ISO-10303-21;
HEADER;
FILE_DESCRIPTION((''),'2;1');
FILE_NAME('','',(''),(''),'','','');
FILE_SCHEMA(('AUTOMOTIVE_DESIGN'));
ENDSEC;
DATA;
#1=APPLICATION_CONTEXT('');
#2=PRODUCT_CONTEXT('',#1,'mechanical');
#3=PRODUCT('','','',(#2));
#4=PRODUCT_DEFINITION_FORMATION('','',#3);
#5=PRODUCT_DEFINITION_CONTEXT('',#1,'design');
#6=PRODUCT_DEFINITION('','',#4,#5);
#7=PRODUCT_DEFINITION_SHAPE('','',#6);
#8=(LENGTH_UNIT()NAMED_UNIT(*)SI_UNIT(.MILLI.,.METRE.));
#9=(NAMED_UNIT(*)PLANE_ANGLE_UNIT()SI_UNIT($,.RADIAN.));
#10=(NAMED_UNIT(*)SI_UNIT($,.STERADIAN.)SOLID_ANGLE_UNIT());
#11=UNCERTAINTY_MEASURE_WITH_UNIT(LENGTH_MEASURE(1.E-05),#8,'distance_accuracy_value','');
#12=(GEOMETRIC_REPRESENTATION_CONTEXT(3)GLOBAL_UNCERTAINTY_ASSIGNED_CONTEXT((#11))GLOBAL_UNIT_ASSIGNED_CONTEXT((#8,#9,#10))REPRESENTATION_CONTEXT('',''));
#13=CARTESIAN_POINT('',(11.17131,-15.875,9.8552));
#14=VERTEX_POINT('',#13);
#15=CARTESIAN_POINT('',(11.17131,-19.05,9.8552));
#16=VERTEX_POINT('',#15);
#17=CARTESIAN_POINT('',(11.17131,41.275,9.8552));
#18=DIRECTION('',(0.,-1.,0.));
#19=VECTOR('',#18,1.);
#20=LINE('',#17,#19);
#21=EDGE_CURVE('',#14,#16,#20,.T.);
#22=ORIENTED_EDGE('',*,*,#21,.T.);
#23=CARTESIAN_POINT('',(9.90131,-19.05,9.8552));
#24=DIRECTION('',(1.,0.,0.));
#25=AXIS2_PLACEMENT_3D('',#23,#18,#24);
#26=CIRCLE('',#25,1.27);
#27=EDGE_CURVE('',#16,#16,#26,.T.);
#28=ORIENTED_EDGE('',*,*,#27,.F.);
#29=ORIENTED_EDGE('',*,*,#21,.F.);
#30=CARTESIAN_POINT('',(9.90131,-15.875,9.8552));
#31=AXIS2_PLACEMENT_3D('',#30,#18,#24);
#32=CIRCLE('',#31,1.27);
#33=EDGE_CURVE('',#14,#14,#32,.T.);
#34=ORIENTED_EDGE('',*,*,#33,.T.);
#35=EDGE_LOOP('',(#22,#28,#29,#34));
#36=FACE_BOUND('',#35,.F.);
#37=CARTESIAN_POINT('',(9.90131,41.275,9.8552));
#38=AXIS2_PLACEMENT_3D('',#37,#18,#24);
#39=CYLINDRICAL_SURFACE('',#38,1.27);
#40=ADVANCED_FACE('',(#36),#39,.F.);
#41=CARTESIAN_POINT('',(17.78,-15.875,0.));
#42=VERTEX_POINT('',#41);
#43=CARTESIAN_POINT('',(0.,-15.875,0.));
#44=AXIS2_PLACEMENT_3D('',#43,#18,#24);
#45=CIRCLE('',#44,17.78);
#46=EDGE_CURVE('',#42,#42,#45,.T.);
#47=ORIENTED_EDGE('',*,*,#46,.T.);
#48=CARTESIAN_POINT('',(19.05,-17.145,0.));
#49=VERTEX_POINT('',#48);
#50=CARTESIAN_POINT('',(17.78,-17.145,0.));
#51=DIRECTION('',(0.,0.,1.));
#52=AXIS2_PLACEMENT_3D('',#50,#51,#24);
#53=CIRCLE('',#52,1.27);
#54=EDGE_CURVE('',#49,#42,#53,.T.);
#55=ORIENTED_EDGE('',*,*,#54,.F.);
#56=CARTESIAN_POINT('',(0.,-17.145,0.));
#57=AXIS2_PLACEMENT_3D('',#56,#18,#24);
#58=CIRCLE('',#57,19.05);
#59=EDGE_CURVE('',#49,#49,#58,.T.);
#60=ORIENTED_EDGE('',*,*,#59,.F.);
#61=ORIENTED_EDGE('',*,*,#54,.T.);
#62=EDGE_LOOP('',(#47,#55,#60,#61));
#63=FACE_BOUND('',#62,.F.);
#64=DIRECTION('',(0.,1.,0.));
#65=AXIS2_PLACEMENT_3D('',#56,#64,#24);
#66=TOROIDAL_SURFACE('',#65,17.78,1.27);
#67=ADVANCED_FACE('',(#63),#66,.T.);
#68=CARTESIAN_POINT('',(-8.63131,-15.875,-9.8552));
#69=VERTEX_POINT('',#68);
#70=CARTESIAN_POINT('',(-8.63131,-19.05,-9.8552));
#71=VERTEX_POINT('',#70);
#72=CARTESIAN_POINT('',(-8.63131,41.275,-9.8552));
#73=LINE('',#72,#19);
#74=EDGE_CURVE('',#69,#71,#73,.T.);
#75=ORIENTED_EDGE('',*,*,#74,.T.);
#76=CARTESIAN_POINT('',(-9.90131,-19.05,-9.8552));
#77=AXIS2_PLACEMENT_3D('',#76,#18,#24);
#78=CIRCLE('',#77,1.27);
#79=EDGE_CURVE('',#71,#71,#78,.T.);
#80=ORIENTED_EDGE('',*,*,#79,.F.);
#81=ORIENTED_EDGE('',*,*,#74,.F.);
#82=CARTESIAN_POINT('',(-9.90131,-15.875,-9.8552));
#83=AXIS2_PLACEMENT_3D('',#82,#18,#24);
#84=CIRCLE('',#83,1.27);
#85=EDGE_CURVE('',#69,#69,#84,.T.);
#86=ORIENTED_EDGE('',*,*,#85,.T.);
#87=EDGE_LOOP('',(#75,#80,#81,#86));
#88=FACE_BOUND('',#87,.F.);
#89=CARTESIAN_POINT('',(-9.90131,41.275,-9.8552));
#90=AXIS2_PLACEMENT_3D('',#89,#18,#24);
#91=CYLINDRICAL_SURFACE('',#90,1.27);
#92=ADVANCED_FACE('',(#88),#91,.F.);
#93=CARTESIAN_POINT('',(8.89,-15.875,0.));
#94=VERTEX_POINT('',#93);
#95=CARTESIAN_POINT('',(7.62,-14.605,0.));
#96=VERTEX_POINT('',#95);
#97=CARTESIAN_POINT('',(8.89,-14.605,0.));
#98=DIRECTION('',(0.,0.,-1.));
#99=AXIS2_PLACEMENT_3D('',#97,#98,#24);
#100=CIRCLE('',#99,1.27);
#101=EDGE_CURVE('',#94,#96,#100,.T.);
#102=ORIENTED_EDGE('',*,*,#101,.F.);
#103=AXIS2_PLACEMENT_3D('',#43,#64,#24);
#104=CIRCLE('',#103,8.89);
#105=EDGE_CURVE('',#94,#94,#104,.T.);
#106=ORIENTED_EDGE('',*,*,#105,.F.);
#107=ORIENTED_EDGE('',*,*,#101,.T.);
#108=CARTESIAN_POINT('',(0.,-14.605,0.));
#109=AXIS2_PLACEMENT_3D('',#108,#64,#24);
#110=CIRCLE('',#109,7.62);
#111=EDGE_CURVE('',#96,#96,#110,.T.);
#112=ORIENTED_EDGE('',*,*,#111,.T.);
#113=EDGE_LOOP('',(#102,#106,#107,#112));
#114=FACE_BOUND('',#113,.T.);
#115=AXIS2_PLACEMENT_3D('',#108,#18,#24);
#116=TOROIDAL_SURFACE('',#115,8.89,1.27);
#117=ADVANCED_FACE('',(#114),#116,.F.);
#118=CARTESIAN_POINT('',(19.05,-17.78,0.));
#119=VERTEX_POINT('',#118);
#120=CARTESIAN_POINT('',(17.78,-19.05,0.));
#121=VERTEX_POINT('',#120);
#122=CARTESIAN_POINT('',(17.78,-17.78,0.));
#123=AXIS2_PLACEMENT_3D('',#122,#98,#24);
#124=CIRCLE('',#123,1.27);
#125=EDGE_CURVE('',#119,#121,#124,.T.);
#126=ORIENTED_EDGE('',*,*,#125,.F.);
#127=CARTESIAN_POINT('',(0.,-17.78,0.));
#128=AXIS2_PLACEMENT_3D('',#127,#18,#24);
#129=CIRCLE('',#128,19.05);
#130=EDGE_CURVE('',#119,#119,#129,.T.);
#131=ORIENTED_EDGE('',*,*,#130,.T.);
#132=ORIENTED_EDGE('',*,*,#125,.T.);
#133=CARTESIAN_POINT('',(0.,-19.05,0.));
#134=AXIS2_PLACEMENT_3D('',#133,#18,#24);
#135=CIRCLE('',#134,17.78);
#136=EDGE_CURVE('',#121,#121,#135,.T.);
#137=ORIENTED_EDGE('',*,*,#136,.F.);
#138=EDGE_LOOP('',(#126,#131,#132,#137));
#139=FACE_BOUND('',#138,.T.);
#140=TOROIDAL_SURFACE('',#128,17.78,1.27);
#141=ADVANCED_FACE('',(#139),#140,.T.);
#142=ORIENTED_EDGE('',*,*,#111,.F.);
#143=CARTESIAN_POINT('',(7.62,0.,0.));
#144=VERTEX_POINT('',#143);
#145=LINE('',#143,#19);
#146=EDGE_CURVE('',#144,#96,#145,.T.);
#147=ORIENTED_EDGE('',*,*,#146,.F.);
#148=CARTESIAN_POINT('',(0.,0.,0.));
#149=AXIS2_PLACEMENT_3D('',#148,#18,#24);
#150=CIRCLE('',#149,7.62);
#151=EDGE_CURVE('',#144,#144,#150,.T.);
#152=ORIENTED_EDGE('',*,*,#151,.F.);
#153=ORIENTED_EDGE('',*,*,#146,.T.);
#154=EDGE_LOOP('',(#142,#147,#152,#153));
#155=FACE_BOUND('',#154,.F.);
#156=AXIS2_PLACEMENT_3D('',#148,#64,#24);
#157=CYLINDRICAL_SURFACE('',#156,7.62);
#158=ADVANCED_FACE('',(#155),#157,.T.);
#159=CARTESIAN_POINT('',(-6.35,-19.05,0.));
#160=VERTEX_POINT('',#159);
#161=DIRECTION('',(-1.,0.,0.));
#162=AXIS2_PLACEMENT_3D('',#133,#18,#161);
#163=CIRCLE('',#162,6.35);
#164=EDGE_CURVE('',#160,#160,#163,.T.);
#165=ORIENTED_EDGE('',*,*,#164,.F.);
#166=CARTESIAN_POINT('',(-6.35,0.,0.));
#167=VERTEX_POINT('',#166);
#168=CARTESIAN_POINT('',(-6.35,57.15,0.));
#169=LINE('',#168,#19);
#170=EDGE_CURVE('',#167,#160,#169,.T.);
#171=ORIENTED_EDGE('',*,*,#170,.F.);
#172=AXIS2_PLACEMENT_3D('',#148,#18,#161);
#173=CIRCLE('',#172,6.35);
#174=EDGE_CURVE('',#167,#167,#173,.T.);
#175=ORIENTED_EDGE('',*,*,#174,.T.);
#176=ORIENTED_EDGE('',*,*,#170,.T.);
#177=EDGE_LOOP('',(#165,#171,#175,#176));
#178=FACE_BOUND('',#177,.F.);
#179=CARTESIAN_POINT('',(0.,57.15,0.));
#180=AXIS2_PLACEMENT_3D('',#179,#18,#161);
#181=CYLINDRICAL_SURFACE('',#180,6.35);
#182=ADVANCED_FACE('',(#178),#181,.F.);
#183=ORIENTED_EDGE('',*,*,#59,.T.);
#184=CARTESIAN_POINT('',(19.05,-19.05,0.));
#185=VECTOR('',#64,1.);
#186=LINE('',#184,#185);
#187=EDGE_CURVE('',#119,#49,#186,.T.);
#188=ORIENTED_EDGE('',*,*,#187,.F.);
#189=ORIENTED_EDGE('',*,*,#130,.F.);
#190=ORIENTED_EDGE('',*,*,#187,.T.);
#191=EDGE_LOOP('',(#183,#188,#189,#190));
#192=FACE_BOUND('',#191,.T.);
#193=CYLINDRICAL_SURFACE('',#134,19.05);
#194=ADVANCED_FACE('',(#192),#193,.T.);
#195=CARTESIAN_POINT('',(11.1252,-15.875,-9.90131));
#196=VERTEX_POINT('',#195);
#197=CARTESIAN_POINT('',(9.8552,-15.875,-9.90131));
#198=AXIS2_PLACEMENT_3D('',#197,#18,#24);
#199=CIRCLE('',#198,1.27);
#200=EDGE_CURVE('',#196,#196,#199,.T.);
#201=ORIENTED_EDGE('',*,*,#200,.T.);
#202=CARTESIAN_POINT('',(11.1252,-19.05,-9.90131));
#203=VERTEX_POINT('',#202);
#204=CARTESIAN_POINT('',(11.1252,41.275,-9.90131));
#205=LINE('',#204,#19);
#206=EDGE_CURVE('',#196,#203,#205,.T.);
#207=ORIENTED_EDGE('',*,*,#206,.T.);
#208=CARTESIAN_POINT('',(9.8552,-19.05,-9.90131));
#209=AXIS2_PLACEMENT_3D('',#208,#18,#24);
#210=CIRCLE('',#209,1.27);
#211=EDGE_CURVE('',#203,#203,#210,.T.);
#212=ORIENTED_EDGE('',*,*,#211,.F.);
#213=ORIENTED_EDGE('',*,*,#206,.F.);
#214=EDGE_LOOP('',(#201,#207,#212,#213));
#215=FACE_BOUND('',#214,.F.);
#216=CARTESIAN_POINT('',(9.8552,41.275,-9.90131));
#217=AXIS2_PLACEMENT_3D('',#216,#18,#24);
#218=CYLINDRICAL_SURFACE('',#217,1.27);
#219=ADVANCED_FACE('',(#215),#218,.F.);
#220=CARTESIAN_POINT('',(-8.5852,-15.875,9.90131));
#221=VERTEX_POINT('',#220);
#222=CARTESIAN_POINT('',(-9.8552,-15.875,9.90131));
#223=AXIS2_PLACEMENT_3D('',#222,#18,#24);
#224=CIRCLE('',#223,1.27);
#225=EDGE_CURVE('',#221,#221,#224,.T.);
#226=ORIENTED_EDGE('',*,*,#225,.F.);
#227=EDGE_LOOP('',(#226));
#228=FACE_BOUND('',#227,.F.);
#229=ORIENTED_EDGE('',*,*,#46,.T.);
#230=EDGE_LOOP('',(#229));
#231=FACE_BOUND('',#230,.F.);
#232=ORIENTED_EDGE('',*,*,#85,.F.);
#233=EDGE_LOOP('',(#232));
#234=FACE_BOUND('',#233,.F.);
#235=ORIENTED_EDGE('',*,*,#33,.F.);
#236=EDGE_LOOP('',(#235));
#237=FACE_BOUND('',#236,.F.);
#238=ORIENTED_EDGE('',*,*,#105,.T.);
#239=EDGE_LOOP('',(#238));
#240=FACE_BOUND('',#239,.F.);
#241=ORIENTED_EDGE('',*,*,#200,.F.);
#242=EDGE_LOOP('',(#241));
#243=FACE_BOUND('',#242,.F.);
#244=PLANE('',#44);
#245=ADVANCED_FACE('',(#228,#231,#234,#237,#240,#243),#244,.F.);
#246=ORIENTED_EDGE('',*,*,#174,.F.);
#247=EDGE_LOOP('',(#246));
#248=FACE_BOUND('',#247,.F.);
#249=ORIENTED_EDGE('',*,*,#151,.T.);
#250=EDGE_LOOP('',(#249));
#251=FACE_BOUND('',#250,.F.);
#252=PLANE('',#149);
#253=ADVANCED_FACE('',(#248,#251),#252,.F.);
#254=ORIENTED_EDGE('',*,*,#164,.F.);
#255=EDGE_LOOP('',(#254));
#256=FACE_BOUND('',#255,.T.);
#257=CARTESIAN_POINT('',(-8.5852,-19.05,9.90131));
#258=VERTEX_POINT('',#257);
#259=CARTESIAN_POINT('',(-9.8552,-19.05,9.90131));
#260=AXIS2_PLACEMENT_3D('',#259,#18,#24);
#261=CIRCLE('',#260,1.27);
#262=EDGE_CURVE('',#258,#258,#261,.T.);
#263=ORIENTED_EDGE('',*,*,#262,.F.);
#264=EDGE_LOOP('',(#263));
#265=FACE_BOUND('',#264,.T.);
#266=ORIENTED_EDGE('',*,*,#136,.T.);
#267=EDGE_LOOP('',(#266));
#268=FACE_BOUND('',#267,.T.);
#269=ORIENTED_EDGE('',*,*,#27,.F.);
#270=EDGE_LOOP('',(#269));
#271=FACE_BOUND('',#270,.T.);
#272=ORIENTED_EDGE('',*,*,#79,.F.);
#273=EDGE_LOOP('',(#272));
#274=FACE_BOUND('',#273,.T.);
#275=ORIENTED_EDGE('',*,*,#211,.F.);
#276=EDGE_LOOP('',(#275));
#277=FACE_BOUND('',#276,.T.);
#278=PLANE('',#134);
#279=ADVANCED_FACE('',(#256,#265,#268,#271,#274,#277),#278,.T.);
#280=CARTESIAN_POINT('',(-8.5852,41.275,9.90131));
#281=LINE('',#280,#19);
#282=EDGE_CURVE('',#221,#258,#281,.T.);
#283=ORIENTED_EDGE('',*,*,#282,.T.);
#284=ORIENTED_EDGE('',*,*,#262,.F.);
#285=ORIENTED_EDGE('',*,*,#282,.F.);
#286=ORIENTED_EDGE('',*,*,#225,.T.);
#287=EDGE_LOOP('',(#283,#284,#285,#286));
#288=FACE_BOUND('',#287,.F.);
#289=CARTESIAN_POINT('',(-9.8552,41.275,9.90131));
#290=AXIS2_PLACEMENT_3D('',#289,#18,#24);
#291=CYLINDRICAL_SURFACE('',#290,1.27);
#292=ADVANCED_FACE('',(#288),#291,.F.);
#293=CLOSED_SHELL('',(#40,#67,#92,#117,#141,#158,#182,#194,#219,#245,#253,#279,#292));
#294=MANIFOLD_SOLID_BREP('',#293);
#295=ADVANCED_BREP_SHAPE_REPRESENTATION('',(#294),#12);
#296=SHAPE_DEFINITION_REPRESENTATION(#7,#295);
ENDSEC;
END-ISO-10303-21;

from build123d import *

# Parameters (mm, degrees)
F0_R     = 7.62
F1_DEPTH = 19.05
F2_R     = 19.05
F2_R_2   = 7.62
F3_DEPTH = 3.175
F4_D     = 12.7
F5_R     = 1.27
F7_D     = 2.54


with BuildPart() as f1:
    # F0 (on Front) → F1 (new body)
    with BuildSketch(Plane.XZ):
        Circle(F0_R)
    extrude(amount=F1_DEPTH)

    # F2 (on face) → F3 (join)
    with BuildSketch(Plane.XZ.offset(19.05)):
        Circle(F2_R)
        Circle(F2_R_2, mode=Mode.SUBTRACT)
        Circle(F2_R_2)
    extrude(amount=-F3_DEPTH)

    # F4 (through all)
    with Locations(Plane(origin=(0, 0, 0), x_dir=(1, 0, 0), z_dir=(0, 1, 0))):
        with Locations((0, 0)):
            Hole(F4_D / 2)

    # F5
    f5_edges = [f1.edges().sort_by_distance(p)[0] for p in [
        (-19.05, -15.875, 0),
        (-7.62, -15.875, 0),
        (-19.05, -19.05, 0),
    ]]
    fillet(f5_edges, radius=F5_R)

    # F7 (through all)
    with Locations(Plane(origin=(0, -15.875, 0), x_dir=(-1, 0, 0), z_dir=(0, 1, 0))):
        with Locations((-9.90131, 9.8552), (9.8552, 9.90131), (9.90131, -9.8552), (-9.8552, -9.90131)):
            Hole(F7_D / 2)


solid = f1.part
